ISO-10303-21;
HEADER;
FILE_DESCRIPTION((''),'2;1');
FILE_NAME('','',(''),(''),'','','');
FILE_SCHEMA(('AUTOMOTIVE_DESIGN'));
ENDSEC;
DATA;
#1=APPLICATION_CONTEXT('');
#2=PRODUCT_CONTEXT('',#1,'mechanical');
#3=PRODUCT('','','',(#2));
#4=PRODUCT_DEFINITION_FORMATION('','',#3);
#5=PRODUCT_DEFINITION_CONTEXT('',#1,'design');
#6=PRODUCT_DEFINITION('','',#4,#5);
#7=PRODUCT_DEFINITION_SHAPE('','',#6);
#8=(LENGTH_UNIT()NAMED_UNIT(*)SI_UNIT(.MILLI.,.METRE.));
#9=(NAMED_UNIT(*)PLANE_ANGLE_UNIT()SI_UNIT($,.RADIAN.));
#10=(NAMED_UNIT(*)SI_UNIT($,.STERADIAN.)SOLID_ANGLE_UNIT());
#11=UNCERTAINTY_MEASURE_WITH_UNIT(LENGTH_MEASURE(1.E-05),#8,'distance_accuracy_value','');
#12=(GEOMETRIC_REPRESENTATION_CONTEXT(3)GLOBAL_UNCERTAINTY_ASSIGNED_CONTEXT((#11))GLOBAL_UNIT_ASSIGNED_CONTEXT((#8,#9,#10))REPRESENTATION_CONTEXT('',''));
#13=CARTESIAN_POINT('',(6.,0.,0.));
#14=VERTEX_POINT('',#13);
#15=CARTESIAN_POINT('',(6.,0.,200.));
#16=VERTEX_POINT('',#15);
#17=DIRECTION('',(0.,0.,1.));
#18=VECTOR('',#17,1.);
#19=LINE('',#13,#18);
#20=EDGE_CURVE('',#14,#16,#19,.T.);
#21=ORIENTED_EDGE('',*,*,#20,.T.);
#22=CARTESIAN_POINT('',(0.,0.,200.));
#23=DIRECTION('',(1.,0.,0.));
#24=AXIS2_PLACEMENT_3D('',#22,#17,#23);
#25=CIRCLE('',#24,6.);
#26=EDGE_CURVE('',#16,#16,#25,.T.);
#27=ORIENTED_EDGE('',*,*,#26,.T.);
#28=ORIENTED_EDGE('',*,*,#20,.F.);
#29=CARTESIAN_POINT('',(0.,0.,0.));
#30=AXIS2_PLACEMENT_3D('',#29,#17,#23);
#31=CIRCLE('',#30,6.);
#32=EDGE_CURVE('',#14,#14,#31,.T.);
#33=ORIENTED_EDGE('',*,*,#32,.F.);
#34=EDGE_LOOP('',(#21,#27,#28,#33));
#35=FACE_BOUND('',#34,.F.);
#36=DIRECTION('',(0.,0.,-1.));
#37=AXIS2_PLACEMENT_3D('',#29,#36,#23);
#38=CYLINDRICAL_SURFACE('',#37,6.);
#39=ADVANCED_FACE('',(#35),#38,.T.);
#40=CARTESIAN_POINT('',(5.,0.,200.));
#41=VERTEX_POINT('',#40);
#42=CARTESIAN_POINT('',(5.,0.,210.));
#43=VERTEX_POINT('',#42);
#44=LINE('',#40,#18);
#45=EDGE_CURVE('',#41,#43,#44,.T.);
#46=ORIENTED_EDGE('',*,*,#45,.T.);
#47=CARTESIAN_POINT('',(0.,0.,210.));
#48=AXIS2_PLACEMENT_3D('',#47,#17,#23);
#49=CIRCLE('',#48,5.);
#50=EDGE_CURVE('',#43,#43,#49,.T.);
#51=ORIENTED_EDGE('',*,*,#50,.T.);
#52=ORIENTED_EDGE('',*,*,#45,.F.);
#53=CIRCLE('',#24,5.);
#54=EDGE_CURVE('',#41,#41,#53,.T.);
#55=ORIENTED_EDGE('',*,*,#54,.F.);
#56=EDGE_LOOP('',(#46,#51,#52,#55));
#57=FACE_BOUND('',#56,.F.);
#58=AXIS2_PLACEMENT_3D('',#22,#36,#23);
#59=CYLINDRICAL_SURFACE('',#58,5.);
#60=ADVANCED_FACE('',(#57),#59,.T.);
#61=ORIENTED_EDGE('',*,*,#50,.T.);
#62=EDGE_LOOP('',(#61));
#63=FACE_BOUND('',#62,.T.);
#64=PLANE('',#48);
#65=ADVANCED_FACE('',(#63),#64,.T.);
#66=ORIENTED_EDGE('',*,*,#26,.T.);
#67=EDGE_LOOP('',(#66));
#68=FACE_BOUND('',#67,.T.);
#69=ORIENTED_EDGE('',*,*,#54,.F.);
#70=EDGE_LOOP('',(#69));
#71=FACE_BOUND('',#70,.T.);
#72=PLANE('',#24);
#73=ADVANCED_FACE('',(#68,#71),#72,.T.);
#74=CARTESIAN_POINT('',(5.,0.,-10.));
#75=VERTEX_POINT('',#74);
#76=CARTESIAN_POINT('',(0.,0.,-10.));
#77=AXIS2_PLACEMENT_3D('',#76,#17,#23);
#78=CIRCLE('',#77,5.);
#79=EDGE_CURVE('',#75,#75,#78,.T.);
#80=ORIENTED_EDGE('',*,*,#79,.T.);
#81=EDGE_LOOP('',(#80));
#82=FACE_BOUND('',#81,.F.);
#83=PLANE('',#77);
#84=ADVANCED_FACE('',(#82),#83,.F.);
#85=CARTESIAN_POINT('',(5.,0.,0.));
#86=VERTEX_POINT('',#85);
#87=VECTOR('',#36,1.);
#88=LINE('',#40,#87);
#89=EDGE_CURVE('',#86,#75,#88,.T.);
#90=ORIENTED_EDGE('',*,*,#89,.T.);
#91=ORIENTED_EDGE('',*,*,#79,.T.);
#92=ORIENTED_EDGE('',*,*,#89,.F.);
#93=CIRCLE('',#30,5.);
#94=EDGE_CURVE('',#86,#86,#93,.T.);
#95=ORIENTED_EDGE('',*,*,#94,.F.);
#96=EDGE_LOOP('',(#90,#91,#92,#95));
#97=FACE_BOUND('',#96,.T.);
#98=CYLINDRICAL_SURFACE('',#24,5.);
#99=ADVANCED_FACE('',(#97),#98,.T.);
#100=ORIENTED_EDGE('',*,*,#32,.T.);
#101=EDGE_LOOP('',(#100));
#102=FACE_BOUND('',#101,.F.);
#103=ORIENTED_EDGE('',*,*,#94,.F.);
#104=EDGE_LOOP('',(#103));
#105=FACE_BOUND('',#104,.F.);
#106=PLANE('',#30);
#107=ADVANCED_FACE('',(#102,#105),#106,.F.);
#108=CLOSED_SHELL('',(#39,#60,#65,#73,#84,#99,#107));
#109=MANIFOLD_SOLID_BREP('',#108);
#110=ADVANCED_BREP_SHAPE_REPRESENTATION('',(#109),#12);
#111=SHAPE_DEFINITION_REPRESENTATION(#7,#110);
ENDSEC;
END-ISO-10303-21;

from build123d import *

# Parameters (mm, degrees)
F0_R     = 6
F1_DEPTH = 200
F3_R     = 5
F4_DEPTH = 10
F5_DEPTH = 210


with BuildPart() as f1:
    # F0 (on Top) → F1 (new body)
    with BuildSketch(Plane.XY):
        Circle(F0_R)
    extrude(amount=F1_DEPTH)

    # F3 (on face) → F4 (join)
    with BuildSketch(Plane.XY.offset(200)):
        Circle(F3_R)
    extrude(amount=F4_DEPTH)

    # F3 (on face) → F5 (join)
    with BuildSketch(Plane.XY.offset(200)):
        Circle(F3_R)
    extrude(amount=-F5_DEPTH)


solid = f1.part
